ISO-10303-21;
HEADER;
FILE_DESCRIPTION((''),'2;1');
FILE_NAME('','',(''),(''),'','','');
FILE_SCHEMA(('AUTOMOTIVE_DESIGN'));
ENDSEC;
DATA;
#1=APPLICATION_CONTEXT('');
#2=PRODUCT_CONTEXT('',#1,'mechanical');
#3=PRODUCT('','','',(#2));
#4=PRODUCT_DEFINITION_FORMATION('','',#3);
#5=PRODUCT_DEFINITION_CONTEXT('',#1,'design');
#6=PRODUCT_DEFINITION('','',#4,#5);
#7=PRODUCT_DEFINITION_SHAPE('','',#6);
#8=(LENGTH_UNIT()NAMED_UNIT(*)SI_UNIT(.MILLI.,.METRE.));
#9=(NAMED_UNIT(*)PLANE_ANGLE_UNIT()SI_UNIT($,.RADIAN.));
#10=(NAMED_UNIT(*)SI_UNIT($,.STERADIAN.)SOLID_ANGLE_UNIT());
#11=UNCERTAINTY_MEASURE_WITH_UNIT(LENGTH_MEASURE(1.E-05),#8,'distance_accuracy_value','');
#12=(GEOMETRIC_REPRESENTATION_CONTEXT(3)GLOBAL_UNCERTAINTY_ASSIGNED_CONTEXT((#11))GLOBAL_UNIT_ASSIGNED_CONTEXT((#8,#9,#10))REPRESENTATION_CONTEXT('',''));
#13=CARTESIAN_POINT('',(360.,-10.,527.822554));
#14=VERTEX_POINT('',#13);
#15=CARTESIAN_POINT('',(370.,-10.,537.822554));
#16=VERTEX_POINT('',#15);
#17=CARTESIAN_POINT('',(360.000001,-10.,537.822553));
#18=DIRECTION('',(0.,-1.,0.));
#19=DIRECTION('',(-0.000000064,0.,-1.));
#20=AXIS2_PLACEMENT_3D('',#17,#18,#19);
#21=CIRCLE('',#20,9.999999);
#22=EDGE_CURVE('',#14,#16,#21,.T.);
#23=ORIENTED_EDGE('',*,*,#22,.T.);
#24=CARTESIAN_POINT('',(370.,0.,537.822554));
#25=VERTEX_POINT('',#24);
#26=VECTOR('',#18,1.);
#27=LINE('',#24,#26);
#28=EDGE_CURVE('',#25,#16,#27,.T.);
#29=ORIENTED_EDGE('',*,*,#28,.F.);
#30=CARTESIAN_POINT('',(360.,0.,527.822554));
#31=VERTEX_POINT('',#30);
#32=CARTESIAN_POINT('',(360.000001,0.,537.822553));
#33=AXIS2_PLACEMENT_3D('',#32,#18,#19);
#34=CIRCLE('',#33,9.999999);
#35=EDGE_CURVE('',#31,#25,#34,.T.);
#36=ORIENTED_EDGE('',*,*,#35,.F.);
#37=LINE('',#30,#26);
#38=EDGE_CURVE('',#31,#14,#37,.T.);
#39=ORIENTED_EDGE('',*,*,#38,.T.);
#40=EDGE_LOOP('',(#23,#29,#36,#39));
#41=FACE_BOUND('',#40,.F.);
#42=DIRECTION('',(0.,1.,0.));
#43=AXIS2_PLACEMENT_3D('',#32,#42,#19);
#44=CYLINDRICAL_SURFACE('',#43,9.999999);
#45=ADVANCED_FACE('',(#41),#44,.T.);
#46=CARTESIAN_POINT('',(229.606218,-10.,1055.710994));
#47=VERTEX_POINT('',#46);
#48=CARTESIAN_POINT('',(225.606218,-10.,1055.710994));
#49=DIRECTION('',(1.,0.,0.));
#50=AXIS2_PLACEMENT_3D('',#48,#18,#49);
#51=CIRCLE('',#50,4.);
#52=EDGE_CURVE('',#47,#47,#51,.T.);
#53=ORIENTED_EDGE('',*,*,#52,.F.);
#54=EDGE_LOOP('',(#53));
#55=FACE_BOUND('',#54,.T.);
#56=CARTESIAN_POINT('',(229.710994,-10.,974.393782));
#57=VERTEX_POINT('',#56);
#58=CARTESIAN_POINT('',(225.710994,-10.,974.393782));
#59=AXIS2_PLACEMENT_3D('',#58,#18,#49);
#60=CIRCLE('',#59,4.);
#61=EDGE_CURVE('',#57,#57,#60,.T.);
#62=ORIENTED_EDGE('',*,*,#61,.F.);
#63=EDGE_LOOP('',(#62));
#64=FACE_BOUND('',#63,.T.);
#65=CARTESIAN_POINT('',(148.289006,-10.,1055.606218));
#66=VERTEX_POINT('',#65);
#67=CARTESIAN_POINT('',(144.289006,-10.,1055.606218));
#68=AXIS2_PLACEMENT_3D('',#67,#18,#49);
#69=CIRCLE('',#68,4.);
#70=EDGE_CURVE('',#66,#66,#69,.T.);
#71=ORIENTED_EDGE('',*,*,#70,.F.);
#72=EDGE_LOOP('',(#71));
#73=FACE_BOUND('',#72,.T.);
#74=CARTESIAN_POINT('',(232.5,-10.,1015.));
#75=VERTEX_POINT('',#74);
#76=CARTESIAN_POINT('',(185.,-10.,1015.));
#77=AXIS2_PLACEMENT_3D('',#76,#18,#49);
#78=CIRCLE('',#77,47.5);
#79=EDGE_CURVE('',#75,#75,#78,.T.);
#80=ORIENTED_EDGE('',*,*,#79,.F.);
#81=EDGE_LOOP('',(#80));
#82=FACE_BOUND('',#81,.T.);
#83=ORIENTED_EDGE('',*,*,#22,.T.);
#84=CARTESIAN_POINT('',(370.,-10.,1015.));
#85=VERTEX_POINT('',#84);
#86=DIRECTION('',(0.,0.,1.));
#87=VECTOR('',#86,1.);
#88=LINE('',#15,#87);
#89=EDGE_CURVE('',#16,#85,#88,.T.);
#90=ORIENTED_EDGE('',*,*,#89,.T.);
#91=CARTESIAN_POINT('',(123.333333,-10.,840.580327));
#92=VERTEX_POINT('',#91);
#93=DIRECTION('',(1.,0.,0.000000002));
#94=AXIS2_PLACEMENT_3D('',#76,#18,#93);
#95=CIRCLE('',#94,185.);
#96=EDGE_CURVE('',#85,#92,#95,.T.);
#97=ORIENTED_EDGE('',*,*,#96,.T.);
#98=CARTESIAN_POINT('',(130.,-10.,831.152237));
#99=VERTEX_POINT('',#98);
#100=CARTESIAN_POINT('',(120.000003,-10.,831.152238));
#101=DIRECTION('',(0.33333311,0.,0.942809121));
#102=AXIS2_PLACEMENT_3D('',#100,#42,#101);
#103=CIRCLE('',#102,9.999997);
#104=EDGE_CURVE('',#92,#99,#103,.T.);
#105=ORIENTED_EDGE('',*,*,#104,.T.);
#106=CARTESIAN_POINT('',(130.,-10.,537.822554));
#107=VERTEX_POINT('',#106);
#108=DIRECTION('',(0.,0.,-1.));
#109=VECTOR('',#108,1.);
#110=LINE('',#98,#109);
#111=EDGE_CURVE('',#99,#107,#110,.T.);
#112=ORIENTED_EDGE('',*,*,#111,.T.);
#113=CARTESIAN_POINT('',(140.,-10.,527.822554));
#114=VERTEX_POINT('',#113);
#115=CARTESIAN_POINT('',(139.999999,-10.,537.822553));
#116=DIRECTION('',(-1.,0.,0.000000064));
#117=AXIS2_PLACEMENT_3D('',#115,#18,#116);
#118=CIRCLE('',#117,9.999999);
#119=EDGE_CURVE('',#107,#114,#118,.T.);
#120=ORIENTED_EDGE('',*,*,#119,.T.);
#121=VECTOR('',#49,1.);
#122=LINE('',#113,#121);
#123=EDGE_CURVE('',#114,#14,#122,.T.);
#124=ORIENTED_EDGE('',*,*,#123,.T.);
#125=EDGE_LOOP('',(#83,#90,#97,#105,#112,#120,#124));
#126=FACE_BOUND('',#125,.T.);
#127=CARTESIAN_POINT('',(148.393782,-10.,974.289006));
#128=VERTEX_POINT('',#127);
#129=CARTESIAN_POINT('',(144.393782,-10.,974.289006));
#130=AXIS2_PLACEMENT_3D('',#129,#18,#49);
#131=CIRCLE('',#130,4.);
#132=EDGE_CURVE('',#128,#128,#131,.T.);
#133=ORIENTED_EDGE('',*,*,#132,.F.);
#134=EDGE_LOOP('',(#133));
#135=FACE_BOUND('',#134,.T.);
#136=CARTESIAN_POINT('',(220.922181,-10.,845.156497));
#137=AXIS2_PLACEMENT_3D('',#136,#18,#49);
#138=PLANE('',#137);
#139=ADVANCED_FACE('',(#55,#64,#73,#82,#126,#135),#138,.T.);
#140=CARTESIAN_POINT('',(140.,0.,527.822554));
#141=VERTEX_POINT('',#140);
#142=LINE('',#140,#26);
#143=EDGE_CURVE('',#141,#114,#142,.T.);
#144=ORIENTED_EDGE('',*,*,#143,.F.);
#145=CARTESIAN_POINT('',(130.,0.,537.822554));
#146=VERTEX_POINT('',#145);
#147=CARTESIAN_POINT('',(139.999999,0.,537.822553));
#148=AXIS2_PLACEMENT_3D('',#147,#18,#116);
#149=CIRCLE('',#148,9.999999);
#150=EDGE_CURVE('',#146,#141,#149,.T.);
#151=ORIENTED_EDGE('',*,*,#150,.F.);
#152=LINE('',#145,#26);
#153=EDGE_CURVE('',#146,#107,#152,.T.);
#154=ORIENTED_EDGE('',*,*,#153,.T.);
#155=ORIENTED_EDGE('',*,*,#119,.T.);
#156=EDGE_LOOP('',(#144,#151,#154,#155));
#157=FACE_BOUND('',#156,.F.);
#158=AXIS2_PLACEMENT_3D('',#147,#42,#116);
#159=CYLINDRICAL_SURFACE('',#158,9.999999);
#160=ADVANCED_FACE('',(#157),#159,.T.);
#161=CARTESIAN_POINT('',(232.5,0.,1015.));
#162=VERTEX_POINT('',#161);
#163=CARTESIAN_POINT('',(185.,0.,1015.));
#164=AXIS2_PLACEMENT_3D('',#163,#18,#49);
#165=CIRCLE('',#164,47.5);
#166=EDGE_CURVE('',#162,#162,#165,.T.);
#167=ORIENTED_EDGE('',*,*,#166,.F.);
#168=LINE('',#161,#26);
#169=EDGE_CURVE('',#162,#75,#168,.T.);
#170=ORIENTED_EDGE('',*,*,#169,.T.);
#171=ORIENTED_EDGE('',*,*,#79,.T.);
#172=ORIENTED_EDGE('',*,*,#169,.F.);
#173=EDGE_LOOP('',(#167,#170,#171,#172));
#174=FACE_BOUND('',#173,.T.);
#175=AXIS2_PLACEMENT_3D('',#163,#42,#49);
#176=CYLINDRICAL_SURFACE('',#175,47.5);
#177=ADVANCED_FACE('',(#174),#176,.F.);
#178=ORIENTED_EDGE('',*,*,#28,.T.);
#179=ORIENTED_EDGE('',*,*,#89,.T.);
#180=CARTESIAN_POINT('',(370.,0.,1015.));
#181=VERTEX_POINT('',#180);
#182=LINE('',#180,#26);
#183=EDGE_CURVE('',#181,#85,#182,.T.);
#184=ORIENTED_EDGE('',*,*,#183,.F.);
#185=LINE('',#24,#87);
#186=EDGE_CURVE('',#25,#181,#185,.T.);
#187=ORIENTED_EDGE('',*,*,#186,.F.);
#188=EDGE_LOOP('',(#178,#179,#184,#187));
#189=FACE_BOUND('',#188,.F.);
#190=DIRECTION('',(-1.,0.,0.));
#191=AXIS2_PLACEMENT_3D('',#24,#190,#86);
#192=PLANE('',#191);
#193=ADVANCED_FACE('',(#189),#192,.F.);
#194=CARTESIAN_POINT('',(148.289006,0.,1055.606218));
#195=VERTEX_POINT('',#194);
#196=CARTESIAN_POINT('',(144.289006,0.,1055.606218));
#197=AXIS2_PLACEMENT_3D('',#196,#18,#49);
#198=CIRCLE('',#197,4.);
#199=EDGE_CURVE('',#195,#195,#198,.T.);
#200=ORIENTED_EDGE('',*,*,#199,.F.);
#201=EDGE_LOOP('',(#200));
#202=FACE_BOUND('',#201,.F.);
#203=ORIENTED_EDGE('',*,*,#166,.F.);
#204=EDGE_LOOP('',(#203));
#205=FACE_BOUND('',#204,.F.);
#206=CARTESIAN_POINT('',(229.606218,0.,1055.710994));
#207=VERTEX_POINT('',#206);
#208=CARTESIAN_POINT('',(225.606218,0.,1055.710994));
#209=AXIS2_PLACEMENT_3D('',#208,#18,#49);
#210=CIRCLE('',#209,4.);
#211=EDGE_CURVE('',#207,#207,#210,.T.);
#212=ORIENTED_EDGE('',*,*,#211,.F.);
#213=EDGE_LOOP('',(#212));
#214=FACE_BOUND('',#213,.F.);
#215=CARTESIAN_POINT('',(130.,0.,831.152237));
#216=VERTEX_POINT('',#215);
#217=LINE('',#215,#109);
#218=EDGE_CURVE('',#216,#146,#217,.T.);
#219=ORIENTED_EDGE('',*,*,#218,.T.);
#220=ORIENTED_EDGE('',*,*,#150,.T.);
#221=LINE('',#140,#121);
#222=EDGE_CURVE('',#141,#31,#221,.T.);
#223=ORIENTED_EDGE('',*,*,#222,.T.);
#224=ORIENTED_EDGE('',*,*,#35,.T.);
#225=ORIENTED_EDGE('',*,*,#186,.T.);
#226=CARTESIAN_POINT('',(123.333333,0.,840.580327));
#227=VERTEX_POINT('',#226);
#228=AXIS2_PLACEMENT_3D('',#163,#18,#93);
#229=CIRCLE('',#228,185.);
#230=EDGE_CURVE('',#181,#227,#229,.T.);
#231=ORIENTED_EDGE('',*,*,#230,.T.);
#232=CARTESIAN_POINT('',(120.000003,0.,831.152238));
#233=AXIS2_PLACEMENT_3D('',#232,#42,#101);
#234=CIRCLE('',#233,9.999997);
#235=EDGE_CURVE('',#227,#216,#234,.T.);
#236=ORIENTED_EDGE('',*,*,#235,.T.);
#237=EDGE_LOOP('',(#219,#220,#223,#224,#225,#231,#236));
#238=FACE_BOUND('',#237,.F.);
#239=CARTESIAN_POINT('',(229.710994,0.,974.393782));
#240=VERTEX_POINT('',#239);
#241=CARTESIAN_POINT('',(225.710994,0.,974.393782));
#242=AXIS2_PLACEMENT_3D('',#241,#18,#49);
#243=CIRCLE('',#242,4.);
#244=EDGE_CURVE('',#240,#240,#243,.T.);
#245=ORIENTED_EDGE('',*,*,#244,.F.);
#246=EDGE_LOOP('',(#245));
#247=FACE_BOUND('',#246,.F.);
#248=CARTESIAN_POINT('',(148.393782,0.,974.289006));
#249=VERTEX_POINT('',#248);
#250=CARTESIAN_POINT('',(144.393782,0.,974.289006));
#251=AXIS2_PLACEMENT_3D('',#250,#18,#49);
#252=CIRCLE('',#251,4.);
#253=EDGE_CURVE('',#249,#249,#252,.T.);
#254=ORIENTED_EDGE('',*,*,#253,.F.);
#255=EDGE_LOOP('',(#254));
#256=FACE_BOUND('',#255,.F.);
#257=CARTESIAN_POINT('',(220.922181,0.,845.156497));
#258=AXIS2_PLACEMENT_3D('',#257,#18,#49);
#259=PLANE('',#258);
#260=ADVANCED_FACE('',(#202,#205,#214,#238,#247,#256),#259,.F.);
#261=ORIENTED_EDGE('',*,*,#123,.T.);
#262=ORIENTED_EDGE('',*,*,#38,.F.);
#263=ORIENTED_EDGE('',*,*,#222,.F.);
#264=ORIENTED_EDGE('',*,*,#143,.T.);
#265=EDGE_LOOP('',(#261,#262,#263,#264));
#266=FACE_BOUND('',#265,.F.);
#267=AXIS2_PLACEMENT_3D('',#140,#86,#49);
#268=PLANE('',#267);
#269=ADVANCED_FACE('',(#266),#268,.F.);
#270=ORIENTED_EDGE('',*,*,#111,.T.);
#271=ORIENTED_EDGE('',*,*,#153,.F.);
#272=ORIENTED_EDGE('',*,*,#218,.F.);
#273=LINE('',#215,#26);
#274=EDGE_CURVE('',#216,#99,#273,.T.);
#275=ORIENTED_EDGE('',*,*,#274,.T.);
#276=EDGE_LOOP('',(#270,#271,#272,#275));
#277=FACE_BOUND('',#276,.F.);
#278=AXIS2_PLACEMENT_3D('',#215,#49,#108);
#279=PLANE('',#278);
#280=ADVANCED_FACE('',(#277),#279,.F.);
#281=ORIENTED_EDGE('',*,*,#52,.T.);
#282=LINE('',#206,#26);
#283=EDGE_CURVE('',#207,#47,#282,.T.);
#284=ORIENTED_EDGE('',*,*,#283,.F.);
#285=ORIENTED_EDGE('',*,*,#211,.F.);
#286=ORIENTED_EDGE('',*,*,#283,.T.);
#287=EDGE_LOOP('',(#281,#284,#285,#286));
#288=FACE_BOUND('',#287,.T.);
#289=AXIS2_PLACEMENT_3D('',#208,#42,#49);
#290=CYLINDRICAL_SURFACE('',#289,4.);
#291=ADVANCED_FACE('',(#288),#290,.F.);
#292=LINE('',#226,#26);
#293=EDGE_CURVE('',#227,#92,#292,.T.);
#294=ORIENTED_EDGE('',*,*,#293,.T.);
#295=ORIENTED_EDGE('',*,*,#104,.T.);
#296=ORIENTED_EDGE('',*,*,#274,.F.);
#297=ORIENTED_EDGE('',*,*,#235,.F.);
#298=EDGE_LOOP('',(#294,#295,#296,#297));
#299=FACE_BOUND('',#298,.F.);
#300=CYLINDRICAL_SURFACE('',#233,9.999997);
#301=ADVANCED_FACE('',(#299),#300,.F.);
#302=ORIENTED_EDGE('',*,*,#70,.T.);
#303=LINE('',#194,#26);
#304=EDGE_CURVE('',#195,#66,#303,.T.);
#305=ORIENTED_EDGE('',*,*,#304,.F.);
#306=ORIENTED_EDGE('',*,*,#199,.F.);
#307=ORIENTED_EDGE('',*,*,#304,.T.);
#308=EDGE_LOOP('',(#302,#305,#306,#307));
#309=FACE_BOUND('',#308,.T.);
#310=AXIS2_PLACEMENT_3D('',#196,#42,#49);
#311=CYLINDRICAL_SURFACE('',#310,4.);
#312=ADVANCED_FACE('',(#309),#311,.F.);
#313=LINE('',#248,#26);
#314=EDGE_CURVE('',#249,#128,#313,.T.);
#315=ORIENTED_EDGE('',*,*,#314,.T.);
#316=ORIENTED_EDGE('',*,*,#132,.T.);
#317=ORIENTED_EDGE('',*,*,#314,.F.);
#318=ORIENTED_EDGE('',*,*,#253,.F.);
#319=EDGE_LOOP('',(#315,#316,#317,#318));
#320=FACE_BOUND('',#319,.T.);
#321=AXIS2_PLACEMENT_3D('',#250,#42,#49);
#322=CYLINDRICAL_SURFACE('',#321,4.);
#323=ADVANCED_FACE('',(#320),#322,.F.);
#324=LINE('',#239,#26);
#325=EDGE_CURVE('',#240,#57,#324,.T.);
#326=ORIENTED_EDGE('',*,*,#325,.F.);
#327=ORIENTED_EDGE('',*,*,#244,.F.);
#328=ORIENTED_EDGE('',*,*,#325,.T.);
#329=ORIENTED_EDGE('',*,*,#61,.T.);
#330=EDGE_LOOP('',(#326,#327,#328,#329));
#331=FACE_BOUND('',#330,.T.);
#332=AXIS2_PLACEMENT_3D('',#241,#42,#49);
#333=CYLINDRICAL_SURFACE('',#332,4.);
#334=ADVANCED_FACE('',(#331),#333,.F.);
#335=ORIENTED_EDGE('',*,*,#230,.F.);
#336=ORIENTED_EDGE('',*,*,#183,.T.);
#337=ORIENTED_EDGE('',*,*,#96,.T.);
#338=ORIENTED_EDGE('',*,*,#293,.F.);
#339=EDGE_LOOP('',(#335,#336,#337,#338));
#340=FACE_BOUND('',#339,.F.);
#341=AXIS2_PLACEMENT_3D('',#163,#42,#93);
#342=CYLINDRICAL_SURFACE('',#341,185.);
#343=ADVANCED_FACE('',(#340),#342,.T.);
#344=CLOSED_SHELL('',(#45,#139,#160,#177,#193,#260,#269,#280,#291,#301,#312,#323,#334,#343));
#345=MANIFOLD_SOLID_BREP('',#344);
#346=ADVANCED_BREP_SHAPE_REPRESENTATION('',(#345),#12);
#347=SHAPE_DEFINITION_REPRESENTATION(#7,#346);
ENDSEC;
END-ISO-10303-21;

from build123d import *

# Parameters (mm, degrees)
F0_R     = 4
F0_R_2   = 47.5
F1_DEPTH = 10


with BuildPart() as f1:
    # F0 (on Front) → F1 (new body)
    with BuildSketch(Plane.XZ):
        with BuildLine():
            Line((370, 537.822554), (370, 1015))
            ThreePointArc((370, 1015), (78.1902, 1166.051867), (123.333333, 840.580327))
            ThreePointArc((123.333333, 840.580327), (128.164966, 836.92574), (130, 831.152237))
            Line((130, 831.152237), (130, 537.822554))
            ThreePointArc((130, 537.822554), (132.928932, 530.751486), (140, 527.822554))
            Line((140, 527.822554), (360, 527.822554))
            ThreePointArc((360, 527.822554), (367.071068, 530.751486), (370, 537.822554))
        make_face()
        with Locations((144.393782, 974.289006)):
            Circle(F0_R, mode=Mode.SUBTRACT)
        with Locations((144.289006, 1055.606218)):
            Circle(F0_R, mode=Mode.SUBTRACT)
        with Locations((225.710994, 974.393782)):
            Circle(F0_R, mode=Mode.SUBTRACT)
        with Locations((185, 1015)):
            Circle(F0_R_2, mode=Mode.SUBTRACT)
        with Locations((225.606218, 1055.710994)):
            Circle(F0_R, mode=Mode.SUBTRACT)
    extrude(amount=F1_DEPTH)


solid = f1.part
